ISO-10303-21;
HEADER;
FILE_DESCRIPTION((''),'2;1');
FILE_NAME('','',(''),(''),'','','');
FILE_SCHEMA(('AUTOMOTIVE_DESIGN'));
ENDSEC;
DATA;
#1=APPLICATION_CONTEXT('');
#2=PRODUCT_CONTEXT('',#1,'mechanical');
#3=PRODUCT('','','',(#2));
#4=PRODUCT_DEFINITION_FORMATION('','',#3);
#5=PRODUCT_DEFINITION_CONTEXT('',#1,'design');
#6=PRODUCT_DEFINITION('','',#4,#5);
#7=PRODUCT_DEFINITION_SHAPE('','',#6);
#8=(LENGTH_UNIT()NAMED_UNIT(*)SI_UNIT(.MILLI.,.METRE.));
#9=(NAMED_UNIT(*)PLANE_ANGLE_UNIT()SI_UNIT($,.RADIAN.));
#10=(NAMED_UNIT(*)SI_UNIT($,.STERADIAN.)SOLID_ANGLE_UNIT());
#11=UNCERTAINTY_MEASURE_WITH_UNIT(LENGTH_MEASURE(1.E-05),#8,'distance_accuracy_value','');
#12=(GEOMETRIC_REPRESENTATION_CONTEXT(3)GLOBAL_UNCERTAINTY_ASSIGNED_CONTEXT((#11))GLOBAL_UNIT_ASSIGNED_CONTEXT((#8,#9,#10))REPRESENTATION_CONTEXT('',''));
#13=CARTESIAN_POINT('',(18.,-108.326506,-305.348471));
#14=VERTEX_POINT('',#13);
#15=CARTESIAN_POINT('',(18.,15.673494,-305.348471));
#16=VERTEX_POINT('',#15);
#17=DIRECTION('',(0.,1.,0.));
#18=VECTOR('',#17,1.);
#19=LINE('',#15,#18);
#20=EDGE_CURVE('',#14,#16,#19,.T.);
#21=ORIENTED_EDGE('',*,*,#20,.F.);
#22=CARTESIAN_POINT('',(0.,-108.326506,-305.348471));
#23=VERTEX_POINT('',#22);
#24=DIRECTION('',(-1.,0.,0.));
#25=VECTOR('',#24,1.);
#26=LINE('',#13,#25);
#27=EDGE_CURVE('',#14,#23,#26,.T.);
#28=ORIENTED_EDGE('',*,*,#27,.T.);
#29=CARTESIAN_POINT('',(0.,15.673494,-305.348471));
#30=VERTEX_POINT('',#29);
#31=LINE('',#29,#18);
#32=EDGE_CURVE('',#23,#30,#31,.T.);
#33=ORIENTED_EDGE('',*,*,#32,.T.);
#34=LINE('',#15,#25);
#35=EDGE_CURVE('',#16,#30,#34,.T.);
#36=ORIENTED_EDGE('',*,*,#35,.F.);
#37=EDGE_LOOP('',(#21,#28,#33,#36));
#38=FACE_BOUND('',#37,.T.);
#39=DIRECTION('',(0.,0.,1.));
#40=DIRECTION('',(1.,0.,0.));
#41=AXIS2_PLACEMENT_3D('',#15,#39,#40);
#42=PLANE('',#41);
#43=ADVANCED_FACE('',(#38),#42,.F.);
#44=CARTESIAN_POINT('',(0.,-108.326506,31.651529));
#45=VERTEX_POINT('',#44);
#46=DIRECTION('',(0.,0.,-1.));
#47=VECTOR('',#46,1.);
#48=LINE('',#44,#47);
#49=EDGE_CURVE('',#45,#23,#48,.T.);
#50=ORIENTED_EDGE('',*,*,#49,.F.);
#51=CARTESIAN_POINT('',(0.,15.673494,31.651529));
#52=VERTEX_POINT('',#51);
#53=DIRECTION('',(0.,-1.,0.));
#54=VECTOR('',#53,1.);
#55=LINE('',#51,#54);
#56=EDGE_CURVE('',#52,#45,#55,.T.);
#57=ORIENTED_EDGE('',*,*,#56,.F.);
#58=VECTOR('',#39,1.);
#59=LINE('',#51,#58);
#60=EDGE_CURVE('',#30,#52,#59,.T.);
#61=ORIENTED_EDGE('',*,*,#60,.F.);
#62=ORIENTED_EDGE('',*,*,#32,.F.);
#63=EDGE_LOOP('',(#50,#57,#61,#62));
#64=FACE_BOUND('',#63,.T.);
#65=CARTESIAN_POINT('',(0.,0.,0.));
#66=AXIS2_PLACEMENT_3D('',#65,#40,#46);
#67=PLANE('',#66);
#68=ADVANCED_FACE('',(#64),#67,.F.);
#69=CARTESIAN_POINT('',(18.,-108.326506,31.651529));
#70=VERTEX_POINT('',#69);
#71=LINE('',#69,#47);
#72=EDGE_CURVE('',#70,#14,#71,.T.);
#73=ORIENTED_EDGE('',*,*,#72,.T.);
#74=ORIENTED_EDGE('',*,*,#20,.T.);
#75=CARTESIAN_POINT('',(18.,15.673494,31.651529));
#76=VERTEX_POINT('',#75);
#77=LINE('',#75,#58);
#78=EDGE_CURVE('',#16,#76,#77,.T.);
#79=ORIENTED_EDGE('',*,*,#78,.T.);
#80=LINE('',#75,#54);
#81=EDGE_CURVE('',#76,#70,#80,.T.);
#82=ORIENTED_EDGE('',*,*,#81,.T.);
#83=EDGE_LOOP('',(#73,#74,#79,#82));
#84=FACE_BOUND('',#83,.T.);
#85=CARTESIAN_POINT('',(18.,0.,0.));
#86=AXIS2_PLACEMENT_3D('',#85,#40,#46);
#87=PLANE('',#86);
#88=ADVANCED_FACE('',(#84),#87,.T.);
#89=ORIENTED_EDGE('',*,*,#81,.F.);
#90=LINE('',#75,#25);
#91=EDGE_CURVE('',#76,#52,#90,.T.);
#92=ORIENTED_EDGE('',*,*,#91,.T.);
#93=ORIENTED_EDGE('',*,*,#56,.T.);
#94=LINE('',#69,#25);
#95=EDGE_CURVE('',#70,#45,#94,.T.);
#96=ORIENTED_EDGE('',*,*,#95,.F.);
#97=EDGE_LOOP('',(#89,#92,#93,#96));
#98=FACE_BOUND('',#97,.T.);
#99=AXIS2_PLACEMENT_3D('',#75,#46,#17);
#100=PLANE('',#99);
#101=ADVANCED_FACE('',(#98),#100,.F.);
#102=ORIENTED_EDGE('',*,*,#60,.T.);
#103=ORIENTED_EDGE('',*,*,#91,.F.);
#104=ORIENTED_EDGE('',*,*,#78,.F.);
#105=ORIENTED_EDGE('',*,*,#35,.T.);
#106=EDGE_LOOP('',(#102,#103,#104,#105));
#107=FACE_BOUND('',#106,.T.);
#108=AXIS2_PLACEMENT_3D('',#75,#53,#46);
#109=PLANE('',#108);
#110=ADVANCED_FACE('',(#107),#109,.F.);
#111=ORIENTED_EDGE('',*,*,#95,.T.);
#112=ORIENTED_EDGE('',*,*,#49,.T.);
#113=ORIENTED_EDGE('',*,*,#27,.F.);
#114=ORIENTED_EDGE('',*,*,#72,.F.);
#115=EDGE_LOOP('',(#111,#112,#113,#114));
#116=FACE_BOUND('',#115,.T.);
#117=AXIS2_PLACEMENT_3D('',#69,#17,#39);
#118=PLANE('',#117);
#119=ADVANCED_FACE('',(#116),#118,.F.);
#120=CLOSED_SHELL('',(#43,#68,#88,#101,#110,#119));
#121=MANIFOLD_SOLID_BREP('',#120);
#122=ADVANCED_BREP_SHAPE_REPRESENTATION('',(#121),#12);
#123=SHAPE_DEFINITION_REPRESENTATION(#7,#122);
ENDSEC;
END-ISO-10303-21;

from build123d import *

# Parameters (mm, degrees)
SKETCH_1_W      = 337
SKETCH_1_H      = 124
EXTRUDE_1_DEPTH = 18


with BuildPart() as part:
    # Эскиз1 → Бобышка-Вытянуть1 (new body)
    with BuildSketch(Plane(origin=(0, 0, 0), x_dir=(0, 0, -1), z_dir=(1, 0, 0))):
        with Locations((136.848471307, -46.326505939)):
            Rectangle(SKETCH_1_W, SKETCH_1_H)
    extrude(amount=EXTRUDE_1_DEPTH)


solid = part.part
